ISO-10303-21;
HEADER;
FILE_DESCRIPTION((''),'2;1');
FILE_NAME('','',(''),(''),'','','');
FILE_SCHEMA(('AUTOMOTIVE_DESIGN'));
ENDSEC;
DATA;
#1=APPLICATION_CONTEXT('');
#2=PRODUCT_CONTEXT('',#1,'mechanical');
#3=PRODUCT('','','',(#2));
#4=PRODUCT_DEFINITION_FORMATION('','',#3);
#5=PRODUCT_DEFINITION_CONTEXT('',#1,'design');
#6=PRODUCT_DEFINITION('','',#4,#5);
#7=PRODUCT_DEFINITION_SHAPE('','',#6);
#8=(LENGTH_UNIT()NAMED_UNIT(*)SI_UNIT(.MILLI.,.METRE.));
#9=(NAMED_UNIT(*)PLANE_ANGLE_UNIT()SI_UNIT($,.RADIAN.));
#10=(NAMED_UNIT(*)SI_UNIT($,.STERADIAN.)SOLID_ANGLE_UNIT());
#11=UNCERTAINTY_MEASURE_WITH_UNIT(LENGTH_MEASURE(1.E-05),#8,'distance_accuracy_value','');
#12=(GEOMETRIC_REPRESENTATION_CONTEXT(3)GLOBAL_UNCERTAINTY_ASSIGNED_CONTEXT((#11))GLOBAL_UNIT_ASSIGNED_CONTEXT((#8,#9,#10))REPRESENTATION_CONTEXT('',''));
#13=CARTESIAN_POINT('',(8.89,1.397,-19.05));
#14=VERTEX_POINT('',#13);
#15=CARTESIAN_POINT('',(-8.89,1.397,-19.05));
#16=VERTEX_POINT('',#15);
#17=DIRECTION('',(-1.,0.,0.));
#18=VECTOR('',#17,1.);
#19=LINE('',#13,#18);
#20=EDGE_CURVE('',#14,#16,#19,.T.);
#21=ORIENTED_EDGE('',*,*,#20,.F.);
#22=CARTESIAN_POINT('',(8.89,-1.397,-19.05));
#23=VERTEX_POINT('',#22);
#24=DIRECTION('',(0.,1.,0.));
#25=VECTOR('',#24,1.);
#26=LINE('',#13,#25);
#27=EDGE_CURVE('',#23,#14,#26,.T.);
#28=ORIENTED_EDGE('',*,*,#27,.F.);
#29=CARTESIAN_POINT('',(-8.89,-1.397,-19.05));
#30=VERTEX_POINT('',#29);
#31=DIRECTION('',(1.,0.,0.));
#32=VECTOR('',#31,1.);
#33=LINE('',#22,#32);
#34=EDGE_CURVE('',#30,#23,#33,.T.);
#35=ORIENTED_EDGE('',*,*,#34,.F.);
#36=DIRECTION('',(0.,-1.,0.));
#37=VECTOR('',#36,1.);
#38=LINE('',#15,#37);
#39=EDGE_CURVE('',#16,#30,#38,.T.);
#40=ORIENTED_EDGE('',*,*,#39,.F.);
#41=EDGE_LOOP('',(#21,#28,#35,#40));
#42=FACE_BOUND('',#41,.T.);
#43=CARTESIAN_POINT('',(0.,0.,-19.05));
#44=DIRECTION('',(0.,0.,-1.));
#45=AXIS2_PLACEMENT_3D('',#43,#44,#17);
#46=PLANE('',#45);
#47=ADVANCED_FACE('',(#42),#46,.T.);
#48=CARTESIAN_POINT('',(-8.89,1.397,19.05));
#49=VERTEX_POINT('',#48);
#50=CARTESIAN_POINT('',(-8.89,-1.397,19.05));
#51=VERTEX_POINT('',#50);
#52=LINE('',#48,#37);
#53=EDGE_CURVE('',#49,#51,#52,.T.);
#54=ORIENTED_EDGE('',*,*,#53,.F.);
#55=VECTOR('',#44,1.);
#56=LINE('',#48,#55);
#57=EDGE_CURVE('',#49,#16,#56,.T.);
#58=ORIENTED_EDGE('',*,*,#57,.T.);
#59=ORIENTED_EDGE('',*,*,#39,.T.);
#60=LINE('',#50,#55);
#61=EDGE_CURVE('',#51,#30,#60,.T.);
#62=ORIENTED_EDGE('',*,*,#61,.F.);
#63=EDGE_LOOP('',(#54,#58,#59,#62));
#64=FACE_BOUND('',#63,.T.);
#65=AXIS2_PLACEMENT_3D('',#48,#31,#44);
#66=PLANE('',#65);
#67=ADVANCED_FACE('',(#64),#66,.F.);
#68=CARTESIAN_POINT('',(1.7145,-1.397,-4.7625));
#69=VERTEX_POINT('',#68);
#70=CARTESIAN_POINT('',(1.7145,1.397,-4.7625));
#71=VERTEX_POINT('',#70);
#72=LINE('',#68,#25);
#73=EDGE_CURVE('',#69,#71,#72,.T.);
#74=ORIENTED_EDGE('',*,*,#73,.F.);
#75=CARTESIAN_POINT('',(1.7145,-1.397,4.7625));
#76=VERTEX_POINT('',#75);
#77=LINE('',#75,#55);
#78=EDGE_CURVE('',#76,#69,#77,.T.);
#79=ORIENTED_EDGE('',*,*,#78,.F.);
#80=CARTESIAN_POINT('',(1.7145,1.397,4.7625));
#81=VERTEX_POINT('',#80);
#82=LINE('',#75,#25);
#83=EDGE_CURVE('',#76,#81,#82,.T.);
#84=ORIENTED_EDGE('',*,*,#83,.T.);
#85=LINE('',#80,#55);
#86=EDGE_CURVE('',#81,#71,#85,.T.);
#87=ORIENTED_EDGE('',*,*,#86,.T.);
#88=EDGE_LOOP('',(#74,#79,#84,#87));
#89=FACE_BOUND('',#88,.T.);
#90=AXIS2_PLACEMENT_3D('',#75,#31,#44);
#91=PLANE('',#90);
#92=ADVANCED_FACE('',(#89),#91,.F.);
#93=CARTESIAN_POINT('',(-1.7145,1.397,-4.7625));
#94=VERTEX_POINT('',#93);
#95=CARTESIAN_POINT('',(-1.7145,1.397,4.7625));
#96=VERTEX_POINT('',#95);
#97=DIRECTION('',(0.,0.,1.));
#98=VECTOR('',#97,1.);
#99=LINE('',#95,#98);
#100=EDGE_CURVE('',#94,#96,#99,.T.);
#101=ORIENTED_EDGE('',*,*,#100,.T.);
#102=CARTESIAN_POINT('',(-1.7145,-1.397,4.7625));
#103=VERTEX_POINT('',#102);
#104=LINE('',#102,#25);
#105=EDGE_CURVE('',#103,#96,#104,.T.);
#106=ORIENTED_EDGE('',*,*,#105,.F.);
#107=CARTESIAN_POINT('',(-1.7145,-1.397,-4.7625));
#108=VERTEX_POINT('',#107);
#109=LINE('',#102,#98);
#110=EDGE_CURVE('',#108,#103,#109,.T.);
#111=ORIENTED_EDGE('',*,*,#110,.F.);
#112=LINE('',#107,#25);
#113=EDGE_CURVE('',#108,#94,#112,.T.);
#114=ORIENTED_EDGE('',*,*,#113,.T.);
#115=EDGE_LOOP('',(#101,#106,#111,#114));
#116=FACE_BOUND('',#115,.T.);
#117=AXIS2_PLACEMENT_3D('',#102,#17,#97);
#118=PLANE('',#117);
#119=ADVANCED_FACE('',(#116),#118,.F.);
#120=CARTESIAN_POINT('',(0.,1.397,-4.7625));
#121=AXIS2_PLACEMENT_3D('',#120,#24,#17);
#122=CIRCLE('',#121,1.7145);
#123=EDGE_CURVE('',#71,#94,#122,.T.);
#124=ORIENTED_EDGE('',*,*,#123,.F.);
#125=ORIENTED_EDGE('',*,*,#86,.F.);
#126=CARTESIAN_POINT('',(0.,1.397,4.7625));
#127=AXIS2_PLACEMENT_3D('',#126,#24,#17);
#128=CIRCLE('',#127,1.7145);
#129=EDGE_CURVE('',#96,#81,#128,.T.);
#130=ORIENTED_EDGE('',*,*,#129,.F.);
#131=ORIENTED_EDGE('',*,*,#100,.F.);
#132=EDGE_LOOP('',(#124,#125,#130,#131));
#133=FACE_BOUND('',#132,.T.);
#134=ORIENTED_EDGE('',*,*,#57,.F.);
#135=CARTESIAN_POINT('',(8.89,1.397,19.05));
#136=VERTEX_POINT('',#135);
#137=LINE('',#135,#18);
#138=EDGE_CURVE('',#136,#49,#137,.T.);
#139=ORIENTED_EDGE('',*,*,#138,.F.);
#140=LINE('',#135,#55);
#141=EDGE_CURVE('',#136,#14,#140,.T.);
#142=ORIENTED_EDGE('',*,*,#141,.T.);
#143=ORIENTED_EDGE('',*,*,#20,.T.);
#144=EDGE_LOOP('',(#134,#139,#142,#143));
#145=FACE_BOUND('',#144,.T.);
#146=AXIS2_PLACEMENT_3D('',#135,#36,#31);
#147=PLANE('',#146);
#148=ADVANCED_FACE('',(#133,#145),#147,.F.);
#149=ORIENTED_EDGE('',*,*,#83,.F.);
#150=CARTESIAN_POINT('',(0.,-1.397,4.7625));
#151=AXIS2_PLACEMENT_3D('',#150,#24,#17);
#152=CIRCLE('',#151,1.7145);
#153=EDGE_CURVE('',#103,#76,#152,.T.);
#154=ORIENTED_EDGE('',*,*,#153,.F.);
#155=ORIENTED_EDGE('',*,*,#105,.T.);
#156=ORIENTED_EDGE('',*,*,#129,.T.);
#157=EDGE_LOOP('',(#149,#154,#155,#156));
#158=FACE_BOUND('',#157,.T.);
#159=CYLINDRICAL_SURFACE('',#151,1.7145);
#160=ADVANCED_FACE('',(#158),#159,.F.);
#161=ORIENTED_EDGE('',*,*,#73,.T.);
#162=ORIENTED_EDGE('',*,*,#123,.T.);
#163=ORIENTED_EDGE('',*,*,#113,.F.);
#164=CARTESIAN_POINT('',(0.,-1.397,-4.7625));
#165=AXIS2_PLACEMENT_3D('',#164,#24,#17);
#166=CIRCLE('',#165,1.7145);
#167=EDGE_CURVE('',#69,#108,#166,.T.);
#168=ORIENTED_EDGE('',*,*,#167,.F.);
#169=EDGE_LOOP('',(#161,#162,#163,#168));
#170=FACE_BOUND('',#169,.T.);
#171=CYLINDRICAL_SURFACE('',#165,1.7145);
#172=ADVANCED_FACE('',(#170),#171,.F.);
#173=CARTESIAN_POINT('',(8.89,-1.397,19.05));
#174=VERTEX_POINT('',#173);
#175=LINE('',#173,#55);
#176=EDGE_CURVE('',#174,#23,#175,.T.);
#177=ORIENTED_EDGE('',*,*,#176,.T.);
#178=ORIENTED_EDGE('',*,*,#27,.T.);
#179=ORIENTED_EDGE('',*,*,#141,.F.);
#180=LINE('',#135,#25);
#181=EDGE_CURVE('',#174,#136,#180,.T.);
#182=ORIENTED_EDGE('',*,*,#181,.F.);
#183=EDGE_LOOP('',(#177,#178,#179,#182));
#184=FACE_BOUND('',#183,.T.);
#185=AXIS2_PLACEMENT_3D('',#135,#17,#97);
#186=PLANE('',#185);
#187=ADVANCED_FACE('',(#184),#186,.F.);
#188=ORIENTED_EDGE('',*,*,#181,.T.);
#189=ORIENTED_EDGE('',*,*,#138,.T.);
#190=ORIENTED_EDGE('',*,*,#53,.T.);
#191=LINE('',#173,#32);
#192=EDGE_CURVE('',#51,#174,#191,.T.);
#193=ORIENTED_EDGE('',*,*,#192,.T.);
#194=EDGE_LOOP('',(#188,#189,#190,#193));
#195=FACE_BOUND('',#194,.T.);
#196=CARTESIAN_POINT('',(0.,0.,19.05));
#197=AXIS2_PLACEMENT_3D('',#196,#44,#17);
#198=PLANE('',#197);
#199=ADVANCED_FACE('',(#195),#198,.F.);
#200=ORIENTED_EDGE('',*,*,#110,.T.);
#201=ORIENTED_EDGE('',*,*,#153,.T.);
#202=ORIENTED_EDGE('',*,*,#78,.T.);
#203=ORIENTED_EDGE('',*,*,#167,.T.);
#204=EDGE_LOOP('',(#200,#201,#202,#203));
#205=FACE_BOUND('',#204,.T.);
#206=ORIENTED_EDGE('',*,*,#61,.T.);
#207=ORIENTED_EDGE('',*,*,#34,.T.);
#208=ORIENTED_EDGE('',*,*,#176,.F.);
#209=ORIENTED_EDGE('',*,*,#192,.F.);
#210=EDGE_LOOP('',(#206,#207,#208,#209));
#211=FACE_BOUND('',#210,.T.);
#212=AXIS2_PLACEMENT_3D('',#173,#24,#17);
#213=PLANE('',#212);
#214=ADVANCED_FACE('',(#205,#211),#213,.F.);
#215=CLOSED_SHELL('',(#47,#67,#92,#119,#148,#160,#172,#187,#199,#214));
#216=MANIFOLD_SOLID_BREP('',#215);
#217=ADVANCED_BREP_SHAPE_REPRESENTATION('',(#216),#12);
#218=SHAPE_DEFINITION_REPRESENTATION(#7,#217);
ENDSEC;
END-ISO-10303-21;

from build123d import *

# Parameters (mm, degrees)
SKETCH1_W           = 17.78
SKETCH1_H           = 2.794
BOSS_EXTRUDE1_DEPTH = 19.05
CUT_EXTRUDE1_DEPTH  = 22.207098717


with BuildPart() as part:
    # Sketch1 → Boss-Extrude1 (new, symmetric)
    with BuildSketch(Plane.XY):
        Rectangle(SKETCH1_W, SKETCH1_H)
    extrude(amount=BOSS_EXTRUDE1_DEPTH, both=True)

    # Sketch2 → Cut-Extrude1 (cut, through all)
    with BuildSketch(Plane(origin=(0, 1.397, 0), x_dir=(1, 0, 0), z_dir=(0, 1, 0))):
        with BuildLine():
            Line((-1.7145, -4.7625), (-1.7145, 4.7625))
            ThreePointArc((-1.7145, 4.7625), (0, 6.477), (1.7145, 4.7625))
            Line((1.7145, 4.7625), (1.7145, -4.7625))
            ThreePointArc((1.7145, -4.7625), (0, -6.477), (-1.7145, -4.7625))
        make_face()
    extrude(amount=-CUT_EXTRUDE1_DEPTH, mode=Mode.SUBTRACT)


solid = part.part
